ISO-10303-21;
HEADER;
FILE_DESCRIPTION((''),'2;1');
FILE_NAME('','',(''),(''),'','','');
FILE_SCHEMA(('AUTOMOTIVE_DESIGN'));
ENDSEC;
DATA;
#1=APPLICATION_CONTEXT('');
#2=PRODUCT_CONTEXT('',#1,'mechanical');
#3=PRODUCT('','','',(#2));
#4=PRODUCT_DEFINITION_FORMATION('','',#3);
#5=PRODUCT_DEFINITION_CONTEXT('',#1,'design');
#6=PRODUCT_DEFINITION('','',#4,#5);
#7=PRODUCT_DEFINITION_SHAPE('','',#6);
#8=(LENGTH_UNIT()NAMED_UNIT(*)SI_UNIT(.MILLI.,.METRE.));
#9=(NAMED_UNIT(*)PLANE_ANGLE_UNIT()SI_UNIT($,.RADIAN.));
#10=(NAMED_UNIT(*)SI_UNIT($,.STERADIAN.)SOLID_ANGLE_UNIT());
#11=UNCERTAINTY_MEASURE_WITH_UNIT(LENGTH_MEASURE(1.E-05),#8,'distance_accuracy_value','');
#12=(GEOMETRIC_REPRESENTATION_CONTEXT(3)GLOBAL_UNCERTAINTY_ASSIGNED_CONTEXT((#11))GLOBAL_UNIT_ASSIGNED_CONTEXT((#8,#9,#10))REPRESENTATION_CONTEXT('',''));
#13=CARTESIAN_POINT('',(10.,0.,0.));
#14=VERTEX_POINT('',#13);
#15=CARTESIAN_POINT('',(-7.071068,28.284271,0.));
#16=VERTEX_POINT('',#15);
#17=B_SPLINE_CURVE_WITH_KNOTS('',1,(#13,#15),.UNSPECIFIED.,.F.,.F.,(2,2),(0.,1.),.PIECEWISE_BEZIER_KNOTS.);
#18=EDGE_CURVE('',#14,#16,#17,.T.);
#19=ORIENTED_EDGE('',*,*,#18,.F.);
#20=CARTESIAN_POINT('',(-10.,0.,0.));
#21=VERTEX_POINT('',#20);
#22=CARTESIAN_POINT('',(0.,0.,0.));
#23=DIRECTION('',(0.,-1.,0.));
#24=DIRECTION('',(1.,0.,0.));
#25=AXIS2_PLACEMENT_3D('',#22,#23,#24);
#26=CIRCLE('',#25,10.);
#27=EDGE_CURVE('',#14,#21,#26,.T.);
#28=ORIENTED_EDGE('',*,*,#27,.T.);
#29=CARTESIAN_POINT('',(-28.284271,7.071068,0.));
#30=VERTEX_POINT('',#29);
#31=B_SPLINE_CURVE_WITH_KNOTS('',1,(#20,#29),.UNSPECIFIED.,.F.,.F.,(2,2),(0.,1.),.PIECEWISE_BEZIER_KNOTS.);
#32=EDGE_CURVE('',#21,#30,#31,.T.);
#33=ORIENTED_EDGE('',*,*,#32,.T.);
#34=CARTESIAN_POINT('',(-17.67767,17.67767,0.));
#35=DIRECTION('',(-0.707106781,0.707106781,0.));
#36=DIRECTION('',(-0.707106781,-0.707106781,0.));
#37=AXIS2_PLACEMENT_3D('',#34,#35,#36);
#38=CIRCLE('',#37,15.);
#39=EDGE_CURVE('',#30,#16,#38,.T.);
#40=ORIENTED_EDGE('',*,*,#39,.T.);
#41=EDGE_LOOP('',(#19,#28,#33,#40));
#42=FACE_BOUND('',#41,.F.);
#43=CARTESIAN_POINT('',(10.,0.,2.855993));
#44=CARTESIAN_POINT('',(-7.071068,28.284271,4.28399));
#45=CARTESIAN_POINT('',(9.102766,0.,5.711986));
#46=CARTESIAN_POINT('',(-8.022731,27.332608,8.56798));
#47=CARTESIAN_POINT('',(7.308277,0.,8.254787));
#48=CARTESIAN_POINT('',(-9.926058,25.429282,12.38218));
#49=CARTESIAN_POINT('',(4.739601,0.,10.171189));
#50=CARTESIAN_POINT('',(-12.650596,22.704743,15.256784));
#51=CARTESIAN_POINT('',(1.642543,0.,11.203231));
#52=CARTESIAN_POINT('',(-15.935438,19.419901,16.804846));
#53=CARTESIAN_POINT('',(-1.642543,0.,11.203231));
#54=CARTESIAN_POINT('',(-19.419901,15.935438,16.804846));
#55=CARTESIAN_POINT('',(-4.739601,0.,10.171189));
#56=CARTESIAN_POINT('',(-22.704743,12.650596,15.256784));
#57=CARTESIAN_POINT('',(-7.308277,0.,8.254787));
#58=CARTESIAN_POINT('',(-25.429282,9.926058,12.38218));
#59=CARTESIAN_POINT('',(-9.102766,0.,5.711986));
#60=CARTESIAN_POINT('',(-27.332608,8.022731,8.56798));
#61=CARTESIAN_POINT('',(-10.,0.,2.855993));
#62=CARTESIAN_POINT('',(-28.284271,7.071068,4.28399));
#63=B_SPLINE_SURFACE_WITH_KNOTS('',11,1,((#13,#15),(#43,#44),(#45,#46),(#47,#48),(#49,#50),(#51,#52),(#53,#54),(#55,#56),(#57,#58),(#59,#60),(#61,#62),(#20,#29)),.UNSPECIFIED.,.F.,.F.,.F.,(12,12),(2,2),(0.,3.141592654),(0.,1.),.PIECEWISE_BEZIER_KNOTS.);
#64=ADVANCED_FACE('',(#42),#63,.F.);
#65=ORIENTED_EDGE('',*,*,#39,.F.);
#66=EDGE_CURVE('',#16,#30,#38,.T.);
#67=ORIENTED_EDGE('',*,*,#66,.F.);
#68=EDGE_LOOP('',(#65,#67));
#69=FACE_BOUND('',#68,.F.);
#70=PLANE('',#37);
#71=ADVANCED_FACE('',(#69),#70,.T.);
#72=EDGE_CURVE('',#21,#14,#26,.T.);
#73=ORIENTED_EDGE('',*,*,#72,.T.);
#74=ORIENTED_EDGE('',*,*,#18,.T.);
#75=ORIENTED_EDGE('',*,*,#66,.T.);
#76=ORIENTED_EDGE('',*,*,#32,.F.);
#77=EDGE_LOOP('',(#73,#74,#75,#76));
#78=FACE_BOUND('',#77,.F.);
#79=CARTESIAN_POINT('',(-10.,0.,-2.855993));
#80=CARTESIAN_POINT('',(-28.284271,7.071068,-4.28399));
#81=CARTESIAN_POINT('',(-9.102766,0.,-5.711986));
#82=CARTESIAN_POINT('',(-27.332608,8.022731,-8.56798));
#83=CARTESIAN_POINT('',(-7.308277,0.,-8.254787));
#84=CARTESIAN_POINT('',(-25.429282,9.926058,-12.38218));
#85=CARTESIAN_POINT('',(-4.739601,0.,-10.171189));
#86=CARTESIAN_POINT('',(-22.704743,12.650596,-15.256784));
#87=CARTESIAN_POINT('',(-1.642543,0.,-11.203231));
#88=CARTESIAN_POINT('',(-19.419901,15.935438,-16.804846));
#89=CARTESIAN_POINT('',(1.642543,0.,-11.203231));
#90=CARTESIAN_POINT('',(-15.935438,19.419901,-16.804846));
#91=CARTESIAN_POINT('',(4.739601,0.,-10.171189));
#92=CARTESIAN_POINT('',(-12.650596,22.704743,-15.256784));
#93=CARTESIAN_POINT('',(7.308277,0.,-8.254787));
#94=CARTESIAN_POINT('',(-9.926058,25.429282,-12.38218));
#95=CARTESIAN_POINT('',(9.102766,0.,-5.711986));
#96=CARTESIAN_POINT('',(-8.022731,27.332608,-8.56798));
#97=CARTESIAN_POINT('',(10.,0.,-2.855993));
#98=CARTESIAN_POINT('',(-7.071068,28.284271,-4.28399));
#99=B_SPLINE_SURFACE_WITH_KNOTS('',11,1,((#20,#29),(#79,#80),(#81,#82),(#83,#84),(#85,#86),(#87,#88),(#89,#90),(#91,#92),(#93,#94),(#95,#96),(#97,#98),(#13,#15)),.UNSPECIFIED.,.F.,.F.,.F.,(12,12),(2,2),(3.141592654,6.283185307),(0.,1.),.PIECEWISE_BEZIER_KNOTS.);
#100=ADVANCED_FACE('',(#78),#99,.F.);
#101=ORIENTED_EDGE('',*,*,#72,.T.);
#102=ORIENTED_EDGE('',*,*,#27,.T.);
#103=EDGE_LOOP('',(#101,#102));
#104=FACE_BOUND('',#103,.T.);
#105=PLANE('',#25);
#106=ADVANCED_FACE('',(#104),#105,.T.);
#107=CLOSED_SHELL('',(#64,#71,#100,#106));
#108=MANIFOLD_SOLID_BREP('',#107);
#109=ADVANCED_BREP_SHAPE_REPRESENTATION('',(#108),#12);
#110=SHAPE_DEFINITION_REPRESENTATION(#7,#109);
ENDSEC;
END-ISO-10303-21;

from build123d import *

# Parameters (mm, degrees)
F0_R = 10
F3_R = 15


with BuildPart() as f4:
    # F0 (on Front) → F4 section 0
    with BuildSketch(Plane.XZ):
        Circle(F0_R)
    # F3 (on offset) → F4 section 1
    with BuildSketch(Plane(origin=(-17.6776695297, 17.6776695297, 0), x_dir=(-0.7071067812, -0.7071067812, 0), z_dir=(-0.7071067812, 0.7071067812, 0))):
        Circle(F3_R)
    loft()


solid = f4.part
